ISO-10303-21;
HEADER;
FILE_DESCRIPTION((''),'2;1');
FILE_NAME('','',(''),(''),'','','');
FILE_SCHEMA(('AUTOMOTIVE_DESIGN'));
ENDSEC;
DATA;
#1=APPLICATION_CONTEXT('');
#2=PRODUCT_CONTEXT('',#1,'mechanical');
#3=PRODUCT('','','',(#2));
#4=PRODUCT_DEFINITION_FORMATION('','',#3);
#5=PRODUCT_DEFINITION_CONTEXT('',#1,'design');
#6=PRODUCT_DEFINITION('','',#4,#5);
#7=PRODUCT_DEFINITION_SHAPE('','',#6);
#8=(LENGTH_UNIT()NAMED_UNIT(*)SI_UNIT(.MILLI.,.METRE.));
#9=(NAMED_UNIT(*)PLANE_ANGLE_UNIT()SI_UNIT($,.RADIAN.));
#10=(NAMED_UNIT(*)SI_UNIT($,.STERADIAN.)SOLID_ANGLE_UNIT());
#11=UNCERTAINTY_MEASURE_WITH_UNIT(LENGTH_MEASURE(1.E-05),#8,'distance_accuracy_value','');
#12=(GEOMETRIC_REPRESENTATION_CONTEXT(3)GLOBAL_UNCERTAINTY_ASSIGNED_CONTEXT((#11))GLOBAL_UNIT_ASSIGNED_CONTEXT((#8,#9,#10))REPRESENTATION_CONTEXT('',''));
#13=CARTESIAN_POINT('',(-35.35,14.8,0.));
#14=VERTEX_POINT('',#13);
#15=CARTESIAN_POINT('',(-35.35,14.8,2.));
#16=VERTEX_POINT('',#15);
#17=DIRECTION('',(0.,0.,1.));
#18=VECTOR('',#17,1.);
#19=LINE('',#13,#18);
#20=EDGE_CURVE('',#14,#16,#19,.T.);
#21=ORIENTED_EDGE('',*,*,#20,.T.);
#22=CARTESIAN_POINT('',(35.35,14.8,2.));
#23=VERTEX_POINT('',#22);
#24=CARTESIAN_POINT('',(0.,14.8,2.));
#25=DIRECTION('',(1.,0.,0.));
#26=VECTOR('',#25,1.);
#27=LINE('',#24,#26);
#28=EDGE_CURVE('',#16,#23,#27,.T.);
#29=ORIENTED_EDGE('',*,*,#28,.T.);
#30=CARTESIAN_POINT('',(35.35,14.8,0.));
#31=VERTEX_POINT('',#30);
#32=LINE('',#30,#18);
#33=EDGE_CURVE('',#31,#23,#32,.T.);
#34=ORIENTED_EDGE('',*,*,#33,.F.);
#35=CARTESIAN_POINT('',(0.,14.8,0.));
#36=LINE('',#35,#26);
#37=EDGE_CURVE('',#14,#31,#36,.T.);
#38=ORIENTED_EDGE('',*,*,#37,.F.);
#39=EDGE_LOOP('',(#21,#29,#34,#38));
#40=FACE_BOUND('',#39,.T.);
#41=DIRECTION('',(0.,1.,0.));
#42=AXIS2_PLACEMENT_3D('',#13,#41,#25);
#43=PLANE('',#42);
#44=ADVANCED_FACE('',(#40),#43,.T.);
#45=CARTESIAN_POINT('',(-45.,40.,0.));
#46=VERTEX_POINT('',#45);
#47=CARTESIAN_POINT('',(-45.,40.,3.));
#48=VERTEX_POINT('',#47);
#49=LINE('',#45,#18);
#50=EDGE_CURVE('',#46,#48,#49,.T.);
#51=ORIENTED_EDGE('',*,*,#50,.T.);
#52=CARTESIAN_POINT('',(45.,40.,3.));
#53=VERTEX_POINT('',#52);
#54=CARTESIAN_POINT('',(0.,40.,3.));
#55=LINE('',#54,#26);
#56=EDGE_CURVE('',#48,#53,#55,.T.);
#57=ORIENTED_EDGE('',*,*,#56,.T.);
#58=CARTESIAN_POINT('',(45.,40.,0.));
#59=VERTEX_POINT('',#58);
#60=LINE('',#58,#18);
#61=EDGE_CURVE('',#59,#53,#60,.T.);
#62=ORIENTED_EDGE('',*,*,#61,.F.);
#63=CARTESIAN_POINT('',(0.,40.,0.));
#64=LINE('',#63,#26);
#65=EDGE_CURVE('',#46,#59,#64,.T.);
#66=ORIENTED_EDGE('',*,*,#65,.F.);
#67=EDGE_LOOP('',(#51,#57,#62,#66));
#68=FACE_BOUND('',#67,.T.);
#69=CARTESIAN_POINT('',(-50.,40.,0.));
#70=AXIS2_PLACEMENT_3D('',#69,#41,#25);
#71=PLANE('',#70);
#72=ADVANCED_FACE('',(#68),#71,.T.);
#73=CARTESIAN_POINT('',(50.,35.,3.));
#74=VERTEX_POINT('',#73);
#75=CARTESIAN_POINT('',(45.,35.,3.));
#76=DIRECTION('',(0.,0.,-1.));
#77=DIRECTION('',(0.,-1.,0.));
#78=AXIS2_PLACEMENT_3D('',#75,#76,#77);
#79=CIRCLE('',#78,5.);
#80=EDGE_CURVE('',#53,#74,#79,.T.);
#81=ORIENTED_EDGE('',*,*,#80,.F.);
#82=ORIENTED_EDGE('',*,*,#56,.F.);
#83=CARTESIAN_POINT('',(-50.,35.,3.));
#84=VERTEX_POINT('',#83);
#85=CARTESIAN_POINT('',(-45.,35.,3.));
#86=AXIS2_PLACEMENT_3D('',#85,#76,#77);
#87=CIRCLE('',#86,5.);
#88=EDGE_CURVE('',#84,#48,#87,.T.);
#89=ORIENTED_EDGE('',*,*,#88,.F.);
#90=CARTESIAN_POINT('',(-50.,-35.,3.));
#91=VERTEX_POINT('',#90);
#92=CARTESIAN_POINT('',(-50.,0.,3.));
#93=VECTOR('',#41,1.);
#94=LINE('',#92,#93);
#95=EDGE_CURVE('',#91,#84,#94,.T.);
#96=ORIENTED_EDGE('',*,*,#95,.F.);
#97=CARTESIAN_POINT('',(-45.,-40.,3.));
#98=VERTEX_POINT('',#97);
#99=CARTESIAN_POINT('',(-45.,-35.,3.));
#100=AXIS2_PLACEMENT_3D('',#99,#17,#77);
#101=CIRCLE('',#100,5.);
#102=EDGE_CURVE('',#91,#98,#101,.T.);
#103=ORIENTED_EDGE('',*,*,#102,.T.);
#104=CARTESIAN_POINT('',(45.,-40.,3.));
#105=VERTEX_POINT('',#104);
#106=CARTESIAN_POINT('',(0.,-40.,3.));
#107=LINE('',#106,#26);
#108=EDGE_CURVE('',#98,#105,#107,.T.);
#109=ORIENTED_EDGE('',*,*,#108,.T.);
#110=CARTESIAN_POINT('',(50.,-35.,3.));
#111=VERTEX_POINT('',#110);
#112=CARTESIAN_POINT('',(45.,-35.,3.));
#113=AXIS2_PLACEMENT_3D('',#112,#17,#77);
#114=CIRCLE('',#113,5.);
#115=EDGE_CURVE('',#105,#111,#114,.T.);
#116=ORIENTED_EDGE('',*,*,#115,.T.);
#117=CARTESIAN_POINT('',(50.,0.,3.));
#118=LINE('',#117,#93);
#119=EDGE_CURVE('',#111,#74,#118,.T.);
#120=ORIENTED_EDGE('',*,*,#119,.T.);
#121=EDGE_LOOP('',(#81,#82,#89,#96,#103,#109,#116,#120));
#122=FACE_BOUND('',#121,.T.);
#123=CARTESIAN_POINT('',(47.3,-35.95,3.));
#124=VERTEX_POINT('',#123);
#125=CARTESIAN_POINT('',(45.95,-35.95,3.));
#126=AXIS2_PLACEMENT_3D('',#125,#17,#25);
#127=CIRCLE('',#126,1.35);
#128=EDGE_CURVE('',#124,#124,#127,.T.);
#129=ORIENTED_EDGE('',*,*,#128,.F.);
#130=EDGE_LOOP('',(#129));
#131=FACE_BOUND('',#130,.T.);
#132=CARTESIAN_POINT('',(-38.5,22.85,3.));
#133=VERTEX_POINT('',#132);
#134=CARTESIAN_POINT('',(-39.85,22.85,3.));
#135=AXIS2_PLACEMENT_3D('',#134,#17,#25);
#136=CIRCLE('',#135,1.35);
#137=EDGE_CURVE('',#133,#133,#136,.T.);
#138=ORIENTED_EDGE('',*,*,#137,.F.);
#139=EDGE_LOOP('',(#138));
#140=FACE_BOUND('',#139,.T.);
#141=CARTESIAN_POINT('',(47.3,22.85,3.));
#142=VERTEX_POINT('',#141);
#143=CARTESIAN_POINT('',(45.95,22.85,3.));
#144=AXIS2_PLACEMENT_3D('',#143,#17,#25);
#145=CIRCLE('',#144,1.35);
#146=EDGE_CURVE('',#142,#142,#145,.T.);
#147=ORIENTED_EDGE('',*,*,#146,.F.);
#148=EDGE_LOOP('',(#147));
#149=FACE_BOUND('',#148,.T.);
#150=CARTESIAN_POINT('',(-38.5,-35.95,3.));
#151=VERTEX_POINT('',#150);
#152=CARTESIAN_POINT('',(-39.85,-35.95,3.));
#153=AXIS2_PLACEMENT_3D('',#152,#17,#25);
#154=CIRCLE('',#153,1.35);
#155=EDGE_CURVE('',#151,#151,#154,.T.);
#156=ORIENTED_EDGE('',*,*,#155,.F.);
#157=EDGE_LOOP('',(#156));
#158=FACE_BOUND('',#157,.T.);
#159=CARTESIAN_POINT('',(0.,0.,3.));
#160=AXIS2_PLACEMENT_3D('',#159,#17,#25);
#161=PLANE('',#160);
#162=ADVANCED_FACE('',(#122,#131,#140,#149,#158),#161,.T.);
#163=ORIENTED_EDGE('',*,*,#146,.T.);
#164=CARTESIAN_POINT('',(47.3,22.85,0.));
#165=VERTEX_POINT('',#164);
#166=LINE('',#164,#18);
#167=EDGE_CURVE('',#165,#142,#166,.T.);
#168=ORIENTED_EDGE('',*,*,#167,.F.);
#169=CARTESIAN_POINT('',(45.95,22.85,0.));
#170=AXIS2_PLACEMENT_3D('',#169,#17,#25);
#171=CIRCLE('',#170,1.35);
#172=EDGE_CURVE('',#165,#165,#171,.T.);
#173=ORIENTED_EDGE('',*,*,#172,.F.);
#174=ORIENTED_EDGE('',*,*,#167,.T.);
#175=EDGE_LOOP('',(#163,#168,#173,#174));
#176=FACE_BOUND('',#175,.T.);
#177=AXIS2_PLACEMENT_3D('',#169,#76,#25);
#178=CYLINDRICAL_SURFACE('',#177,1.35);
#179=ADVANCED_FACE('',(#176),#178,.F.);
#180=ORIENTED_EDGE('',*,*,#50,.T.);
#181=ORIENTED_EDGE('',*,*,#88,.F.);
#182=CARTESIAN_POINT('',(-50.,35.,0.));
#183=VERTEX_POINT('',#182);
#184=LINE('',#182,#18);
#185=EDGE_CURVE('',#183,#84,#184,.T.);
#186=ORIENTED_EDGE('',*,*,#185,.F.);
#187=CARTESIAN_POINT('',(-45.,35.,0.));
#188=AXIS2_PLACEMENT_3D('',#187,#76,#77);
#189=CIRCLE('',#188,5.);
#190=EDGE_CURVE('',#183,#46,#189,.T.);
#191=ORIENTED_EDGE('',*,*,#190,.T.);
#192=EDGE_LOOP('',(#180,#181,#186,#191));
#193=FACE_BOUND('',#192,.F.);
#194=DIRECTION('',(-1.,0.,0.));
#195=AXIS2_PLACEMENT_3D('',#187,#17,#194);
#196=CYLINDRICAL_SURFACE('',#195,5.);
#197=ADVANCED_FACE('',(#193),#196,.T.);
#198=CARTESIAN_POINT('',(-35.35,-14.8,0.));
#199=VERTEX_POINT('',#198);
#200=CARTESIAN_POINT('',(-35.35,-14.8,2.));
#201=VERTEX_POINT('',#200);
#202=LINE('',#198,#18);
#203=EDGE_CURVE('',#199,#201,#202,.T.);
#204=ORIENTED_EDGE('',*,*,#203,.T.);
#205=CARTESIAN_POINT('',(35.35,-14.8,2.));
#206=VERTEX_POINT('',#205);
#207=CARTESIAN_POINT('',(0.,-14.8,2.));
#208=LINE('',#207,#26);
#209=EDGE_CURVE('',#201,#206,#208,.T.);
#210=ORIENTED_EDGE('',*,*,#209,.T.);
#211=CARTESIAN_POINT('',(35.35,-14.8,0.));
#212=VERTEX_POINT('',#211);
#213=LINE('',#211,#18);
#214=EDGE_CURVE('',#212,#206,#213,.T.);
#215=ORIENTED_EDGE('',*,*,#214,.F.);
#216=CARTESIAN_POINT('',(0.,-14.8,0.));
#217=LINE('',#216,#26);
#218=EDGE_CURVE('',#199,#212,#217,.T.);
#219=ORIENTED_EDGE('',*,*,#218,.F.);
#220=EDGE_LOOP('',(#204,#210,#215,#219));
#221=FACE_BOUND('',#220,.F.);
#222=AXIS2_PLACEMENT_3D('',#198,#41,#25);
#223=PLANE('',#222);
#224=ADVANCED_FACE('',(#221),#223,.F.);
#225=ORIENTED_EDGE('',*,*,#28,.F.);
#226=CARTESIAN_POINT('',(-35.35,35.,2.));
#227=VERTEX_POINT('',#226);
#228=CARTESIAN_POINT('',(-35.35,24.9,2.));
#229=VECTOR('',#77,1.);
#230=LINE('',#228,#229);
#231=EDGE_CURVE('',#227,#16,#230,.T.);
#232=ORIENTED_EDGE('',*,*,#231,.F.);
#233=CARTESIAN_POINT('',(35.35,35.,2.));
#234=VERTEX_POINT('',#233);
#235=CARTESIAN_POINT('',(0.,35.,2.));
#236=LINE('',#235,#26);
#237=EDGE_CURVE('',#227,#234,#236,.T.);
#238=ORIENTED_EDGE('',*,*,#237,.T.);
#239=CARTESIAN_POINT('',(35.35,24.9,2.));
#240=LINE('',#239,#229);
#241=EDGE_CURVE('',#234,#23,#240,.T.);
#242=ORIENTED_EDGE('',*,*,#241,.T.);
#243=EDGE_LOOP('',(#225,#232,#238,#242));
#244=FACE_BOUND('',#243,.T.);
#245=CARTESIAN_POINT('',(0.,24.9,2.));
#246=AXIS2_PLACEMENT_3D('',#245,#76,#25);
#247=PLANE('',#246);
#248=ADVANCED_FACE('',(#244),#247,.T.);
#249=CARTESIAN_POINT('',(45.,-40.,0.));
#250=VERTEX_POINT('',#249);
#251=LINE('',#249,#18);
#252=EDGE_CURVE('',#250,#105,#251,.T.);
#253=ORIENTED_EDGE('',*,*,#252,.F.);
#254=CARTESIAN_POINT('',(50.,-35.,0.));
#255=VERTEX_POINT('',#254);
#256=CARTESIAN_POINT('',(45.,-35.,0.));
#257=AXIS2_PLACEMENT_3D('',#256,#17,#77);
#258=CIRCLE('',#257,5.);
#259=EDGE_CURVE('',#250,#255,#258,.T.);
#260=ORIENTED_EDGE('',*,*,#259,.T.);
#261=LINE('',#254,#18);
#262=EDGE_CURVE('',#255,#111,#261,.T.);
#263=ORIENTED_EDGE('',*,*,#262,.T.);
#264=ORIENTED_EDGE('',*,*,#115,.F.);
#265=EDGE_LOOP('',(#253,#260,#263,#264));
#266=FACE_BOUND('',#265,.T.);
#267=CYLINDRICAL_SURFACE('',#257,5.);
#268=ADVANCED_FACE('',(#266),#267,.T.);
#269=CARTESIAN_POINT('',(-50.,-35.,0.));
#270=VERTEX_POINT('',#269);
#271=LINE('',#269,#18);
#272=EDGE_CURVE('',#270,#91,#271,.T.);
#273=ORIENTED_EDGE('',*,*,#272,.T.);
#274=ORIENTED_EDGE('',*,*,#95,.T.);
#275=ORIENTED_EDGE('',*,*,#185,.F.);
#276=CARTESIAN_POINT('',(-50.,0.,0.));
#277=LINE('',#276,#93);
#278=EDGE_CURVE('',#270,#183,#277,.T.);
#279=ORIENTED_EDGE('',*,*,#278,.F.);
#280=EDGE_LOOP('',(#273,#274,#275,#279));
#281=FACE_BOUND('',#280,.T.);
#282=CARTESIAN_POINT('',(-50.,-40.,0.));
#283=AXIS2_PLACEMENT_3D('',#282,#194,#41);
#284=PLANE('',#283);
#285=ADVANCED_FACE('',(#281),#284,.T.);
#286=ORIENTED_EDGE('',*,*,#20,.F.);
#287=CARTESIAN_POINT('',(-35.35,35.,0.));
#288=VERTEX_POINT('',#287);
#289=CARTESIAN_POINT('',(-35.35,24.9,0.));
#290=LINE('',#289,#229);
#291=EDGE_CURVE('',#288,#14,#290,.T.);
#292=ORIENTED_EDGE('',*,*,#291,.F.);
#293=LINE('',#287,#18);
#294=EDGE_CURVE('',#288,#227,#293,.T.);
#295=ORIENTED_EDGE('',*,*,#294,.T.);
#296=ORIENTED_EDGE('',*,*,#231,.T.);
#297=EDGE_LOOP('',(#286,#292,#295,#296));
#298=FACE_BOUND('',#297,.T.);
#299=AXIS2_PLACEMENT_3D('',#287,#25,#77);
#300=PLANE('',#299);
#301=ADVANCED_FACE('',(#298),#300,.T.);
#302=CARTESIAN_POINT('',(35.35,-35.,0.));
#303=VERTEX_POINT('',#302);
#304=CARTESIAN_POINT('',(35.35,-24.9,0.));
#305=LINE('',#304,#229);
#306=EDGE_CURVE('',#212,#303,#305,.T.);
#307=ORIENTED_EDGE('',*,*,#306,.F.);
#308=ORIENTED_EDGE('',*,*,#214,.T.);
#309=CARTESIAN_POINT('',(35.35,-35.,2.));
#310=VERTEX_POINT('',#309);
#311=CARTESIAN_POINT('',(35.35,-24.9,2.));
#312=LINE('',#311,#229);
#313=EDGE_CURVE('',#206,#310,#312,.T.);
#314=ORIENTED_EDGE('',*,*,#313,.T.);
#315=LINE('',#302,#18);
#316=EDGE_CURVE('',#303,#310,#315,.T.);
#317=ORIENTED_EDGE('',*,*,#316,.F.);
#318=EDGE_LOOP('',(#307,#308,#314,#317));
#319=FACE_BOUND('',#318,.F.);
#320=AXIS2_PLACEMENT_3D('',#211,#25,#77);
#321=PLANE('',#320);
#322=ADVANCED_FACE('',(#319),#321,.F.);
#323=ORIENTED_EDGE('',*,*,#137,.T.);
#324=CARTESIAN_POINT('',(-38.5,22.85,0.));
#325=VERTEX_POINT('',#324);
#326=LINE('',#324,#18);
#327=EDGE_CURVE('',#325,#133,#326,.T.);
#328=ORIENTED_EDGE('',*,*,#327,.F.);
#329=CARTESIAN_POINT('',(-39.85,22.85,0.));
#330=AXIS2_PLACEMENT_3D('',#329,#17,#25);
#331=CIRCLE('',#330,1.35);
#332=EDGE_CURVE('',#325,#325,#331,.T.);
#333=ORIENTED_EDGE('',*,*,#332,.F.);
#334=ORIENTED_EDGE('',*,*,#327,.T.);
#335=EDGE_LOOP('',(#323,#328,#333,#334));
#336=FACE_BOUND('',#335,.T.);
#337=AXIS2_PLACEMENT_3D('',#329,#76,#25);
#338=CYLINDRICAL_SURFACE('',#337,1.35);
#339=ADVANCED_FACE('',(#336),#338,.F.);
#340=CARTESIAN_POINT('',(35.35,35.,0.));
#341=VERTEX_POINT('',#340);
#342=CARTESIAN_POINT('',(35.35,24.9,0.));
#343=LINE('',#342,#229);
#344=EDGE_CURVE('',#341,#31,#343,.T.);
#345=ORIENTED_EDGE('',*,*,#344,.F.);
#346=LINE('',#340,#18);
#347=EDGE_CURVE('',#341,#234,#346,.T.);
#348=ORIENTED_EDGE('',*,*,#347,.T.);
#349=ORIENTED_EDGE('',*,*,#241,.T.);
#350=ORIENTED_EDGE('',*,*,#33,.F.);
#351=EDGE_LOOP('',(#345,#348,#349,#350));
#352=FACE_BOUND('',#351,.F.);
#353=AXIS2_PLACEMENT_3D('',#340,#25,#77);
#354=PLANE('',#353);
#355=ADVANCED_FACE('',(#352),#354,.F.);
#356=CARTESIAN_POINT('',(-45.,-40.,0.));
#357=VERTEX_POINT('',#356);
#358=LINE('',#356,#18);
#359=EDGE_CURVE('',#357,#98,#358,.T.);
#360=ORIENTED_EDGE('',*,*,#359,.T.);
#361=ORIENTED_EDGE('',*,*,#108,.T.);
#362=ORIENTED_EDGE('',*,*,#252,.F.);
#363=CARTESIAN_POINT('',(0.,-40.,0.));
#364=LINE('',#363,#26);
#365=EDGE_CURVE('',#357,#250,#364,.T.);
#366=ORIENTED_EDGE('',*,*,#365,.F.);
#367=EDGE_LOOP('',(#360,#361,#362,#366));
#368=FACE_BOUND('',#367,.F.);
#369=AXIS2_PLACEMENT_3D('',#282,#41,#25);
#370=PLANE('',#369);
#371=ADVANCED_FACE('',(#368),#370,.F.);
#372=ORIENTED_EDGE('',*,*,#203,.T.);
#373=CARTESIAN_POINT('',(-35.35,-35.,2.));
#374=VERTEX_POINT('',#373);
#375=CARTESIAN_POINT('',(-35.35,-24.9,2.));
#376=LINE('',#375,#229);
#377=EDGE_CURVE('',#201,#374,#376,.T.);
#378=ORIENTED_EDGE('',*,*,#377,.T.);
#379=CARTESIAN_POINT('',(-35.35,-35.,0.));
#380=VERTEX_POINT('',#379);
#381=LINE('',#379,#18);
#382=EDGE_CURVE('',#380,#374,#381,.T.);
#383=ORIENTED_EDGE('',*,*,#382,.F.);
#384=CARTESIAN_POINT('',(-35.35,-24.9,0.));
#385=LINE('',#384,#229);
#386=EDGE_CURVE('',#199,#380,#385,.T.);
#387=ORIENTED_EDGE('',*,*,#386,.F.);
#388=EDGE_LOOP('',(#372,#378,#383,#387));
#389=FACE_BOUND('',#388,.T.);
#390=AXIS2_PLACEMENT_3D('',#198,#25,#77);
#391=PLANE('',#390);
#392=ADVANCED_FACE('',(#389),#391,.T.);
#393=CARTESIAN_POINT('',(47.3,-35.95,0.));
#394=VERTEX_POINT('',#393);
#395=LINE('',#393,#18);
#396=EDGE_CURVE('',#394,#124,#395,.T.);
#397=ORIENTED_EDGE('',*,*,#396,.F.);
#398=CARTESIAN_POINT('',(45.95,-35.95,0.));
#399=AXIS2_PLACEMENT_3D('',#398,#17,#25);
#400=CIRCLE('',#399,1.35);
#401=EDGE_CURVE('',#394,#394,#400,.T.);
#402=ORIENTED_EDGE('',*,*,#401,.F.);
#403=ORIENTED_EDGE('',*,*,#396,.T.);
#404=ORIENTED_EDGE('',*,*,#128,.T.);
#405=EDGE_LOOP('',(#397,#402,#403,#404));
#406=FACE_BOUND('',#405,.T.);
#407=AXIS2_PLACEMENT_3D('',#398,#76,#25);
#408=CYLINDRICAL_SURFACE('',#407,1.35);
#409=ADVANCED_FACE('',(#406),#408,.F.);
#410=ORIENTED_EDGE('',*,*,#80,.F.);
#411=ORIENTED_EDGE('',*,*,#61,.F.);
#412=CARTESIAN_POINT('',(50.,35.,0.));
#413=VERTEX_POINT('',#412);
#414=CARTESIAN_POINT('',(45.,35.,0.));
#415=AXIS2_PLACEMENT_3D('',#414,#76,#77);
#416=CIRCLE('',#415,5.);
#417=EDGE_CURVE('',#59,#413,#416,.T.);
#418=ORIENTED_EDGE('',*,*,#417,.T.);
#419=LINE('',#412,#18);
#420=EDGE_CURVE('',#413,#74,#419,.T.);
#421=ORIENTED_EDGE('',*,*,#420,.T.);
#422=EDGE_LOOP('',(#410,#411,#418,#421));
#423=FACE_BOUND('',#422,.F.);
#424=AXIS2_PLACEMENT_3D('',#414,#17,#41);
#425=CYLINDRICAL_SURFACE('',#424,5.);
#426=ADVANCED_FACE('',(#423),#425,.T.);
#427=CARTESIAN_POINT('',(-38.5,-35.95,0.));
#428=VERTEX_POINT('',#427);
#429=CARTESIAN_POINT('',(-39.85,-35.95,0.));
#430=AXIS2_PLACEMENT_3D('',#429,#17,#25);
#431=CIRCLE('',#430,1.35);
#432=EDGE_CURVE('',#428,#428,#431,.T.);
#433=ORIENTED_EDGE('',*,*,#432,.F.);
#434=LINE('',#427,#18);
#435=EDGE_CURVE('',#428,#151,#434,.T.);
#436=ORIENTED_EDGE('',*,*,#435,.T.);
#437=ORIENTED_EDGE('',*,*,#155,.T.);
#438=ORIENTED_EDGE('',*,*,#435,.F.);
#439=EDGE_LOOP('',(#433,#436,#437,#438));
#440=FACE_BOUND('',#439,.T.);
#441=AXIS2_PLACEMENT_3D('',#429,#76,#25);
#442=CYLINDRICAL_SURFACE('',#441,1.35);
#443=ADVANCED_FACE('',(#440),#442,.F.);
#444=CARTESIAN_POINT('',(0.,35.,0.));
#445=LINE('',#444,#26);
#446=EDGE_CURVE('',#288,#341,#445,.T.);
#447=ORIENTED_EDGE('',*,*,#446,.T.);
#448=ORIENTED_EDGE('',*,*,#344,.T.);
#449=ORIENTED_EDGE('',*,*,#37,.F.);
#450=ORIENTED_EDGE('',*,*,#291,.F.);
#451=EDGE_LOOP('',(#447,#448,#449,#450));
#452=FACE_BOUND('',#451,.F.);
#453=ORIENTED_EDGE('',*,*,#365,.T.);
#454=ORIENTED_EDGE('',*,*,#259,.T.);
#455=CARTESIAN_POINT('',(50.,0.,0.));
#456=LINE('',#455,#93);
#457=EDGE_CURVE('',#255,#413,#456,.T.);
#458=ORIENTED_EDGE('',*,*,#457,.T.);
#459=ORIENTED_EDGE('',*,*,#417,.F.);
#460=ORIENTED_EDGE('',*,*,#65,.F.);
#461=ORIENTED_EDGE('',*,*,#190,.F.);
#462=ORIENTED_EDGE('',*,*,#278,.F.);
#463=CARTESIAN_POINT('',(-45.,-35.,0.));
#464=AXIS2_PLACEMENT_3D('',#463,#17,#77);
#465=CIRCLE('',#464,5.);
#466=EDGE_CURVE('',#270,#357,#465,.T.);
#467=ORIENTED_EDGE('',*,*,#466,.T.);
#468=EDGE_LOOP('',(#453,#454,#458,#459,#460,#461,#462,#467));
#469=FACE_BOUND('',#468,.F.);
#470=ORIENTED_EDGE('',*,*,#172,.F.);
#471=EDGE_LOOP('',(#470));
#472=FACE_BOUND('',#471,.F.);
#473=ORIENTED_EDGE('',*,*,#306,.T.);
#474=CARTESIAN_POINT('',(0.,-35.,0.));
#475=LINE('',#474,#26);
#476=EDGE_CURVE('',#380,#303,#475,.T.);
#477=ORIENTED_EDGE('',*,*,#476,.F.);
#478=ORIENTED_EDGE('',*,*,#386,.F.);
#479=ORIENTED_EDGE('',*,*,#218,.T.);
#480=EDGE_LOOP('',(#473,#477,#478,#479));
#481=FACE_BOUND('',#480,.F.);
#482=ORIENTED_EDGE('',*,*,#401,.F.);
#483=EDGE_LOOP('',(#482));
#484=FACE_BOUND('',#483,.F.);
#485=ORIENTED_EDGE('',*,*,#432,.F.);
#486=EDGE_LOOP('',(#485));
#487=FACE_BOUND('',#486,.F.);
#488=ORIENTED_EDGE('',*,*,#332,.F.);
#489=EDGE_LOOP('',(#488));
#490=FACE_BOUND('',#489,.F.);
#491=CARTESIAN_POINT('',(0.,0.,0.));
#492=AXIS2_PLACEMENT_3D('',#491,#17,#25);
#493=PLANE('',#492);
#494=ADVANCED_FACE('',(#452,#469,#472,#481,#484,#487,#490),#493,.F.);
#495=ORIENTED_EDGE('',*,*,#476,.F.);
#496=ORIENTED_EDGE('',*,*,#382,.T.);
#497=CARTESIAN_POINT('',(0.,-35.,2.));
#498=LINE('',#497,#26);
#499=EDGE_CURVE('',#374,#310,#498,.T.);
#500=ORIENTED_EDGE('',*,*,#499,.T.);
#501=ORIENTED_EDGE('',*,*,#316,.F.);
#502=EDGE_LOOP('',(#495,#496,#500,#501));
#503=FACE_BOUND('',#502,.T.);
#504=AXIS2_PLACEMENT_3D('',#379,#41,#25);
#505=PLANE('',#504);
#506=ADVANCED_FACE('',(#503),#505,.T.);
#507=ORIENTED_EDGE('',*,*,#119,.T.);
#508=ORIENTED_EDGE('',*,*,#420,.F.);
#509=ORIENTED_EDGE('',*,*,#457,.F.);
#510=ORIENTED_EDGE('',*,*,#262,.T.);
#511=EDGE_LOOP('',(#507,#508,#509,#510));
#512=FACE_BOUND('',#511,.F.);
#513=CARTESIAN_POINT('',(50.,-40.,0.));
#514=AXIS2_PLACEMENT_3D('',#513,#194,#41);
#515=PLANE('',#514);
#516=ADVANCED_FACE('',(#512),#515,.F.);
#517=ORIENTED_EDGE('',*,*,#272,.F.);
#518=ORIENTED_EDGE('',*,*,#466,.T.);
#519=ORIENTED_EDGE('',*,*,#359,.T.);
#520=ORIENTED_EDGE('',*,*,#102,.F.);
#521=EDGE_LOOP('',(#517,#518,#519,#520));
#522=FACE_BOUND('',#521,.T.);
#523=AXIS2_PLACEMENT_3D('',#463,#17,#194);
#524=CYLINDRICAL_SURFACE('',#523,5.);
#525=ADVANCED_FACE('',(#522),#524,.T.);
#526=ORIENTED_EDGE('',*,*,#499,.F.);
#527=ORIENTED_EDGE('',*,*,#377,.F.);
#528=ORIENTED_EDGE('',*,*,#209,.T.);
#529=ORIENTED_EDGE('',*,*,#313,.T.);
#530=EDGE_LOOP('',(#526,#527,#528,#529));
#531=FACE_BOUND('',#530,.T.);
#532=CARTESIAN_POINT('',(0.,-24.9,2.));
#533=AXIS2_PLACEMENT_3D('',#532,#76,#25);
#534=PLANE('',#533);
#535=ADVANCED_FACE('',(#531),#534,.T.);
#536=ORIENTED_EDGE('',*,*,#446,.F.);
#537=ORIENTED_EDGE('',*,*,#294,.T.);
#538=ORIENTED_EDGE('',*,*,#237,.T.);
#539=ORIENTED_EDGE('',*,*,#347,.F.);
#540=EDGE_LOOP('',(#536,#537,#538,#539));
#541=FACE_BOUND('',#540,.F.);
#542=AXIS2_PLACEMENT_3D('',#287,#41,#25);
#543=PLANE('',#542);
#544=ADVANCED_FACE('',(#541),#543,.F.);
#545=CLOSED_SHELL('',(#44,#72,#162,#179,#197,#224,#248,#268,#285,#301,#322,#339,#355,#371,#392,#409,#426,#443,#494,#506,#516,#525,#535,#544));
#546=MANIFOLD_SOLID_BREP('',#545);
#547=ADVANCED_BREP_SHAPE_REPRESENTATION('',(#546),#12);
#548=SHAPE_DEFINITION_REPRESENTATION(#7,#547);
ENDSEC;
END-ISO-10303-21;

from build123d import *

# Parameters (mm, degrees)
SKETCH_W     = 100
SKETCH_H     = 80
SKETCH_R     = 1.35
PAD_DEPTH    = 3
SKETCH001_W  = 70.7
SKETCH001_H  = 20.2
POCKET_DEPTH = 2
FILLET_R     = 5


with BuildPart() as part:
    # Sketch → Pad (new body)
    with BuildSketch(Plane.XY):
        Rectangle(SKETCH_W, SKETCH_H)
        with Locations((-39.85, 22.85)):
            Circle(SKETCH_R, mode=Mode.SUBTRACT)
        with Locations((45.95, 22.85)):
            Circle(SKETCH_R, mode=Mode.SUBTRACT)
        with Locations((-39.85, -35.95)):
            Circle(SKETCH_R, mode=Mode.SUBTRACT)
        with Locations((45.95, -35.95)):
            Circle(SKETCH_R, mode=Mode.SUBTRACT)
    extrude(amount=PAD_DEPTH)

    # Sketch001 (on Face9 of Pad) → Pocket (cut)
    with BuildSketch(Plane(origin=(0, 0, 0), x_dir=(1, 0, 0), z_dir=(0, 0, -1))):
        with Locations((0, 24.9)):
            Rectangle(SKETCH001_W, SKETCH001_H)
        with Locations((0, -24.9)):
            Rectangle(SKETCH001_W, SKETCH001_H)
    extrude(amount=-POCKET_DEPTH, mode=Mode.SUBTRACT)

    # Fillet
    fillet_edges = [part.edges().sort_by_distance(p)[0] for p in [
        (-50, 40, 1.5),
        (50, 40, 1.5),
        (-50, -40, 1.5),
        (50, -40, 1.5),
    ]]
    fillet(fillet_edges, radius=FILLET_R)


solid = part.part
